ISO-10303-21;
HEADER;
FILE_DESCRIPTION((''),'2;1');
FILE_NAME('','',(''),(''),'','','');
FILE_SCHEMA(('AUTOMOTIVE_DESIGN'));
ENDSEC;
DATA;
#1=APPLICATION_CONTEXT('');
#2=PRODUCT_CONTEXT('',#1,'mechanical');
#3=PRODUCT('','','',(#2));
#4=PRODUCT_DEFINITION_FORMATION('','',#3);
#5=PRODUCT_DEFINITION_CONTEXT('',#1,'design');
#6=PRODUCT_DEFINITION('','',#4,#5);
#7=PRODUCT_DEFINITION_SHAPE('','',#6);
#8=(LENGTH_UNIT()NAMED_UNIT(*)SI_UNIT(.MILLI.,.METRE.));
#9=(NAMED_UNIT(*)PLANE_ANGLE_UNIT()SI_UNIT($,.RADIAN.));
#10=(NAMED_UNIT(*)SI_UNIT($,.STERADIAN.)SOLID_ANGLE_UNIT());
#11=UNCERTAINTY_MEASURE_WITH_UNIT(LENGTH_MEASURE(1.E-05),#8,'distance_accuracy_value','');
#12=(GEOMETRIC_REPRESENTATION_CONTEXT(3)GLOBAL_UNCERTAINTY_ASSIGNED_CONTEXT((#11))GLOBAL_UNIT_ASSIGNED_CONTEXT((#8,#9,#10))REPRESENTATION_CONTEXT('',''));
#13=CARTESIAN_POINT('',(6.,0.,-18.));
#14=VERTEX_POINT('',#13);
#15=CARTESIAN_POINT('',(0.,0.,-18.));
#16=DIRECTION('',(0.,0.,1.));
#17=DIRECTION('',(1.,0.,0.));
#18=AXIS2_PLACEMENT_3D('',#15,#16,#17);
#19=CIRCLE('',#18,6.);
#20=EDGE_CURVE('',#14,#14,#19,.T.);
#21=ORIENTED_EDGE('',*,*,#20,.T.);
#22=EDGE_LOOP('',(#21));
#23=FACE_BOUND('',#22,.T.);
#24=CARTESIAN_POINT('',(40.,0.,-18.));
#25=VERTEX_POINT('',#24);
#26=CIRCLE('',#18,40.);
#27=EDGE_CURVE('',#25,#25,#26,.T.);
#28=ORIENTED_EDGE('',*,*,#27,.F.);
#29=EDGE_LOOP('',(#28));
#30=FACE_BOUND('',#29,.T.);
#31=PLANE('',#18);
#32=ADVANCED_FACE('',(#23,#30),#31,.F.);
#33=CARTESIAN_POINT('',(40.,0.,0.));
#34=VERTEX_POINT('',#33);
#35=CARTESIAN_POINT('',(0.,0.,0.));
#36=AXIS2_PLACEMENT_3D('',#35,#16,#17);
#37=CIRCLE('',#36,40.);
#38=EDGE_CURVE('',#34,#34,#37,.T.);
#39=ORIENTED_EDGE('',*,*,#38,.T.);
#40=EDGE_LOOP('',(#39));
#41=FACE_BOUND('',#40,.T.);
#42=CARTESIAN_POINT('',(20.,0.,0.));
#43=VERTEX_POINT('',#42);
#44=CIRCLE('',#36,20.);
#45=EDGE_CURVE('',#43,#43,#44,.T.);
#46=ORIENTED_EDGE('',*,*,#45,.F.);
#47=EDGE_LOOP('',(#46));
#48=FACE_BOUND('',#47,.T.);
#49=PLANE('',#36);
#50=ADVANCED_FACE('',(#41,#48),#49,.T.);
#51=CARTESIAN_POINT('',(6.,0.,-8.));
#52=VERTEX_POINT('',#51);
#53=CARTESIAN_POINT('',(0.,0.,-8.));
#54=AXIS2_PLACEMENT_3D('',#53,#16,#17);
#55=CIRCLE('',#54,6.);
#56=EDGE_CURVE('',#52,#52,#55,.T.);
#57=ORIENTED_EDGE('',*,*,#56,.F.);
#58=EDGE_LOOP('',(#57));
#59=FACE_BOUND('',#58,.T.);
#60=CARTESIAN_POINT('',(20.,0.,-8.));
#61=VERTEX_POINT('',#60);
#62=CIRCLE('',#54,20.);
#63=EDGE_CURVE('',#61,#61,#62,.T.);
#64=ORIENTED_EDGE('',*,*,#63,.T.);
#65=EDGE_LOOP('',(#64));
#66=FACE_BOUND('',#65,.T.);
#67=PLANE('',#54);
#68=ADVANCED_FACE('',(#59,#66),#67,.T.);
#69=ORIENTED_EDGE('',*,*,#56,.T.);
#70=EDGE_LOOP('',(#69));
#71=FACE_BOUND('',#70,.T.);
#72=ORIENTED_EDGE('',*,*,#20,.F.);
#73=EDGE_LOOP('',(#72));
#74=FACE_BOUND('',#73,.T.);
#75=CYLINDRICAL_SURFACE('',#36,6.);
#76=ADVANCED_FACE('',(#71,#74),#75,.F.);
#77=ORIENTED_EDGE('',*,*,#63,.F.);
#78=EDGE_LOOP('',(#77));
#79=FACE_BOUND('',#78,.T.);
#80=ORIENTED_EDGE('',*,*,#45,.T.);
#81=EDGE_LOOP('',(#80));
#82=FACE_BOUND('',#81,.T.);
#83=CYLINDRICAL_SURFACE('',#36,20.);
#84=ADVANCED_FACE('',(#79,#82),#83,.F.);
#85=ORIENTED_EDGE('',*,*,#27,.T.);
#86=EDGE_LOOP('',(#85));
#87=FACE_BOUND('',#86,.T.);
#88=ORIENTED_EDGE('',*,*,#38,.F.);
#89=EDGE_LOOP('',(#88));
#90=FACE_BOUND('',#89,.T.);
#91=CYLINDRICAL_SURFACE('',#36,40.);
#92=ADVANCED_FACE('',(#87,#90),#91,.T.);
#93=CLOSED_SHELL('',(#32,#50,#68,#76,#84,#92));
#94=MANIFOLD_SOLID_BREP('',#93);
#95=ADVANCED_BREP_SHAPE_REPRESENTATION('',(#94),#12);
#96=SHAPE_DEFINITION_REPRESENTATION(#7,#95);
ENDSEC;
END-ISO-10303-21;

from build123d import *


with BuildPart() as part:
    # Esquisse2 → Révolution1 (revolve)
    with BuildSketch(Plane(origin=(0, 0, 0), x_dir=(1, 0, 0), z_dir=(0, 1, 0))):
        Polygon((20, 8), (20, 0), (40, 0), (40, 18), (6, 18), (6, 8), align=None)
    revolve(axis=Axis((0, 0, 0), (0, 0, -1)))


solid = part.part
